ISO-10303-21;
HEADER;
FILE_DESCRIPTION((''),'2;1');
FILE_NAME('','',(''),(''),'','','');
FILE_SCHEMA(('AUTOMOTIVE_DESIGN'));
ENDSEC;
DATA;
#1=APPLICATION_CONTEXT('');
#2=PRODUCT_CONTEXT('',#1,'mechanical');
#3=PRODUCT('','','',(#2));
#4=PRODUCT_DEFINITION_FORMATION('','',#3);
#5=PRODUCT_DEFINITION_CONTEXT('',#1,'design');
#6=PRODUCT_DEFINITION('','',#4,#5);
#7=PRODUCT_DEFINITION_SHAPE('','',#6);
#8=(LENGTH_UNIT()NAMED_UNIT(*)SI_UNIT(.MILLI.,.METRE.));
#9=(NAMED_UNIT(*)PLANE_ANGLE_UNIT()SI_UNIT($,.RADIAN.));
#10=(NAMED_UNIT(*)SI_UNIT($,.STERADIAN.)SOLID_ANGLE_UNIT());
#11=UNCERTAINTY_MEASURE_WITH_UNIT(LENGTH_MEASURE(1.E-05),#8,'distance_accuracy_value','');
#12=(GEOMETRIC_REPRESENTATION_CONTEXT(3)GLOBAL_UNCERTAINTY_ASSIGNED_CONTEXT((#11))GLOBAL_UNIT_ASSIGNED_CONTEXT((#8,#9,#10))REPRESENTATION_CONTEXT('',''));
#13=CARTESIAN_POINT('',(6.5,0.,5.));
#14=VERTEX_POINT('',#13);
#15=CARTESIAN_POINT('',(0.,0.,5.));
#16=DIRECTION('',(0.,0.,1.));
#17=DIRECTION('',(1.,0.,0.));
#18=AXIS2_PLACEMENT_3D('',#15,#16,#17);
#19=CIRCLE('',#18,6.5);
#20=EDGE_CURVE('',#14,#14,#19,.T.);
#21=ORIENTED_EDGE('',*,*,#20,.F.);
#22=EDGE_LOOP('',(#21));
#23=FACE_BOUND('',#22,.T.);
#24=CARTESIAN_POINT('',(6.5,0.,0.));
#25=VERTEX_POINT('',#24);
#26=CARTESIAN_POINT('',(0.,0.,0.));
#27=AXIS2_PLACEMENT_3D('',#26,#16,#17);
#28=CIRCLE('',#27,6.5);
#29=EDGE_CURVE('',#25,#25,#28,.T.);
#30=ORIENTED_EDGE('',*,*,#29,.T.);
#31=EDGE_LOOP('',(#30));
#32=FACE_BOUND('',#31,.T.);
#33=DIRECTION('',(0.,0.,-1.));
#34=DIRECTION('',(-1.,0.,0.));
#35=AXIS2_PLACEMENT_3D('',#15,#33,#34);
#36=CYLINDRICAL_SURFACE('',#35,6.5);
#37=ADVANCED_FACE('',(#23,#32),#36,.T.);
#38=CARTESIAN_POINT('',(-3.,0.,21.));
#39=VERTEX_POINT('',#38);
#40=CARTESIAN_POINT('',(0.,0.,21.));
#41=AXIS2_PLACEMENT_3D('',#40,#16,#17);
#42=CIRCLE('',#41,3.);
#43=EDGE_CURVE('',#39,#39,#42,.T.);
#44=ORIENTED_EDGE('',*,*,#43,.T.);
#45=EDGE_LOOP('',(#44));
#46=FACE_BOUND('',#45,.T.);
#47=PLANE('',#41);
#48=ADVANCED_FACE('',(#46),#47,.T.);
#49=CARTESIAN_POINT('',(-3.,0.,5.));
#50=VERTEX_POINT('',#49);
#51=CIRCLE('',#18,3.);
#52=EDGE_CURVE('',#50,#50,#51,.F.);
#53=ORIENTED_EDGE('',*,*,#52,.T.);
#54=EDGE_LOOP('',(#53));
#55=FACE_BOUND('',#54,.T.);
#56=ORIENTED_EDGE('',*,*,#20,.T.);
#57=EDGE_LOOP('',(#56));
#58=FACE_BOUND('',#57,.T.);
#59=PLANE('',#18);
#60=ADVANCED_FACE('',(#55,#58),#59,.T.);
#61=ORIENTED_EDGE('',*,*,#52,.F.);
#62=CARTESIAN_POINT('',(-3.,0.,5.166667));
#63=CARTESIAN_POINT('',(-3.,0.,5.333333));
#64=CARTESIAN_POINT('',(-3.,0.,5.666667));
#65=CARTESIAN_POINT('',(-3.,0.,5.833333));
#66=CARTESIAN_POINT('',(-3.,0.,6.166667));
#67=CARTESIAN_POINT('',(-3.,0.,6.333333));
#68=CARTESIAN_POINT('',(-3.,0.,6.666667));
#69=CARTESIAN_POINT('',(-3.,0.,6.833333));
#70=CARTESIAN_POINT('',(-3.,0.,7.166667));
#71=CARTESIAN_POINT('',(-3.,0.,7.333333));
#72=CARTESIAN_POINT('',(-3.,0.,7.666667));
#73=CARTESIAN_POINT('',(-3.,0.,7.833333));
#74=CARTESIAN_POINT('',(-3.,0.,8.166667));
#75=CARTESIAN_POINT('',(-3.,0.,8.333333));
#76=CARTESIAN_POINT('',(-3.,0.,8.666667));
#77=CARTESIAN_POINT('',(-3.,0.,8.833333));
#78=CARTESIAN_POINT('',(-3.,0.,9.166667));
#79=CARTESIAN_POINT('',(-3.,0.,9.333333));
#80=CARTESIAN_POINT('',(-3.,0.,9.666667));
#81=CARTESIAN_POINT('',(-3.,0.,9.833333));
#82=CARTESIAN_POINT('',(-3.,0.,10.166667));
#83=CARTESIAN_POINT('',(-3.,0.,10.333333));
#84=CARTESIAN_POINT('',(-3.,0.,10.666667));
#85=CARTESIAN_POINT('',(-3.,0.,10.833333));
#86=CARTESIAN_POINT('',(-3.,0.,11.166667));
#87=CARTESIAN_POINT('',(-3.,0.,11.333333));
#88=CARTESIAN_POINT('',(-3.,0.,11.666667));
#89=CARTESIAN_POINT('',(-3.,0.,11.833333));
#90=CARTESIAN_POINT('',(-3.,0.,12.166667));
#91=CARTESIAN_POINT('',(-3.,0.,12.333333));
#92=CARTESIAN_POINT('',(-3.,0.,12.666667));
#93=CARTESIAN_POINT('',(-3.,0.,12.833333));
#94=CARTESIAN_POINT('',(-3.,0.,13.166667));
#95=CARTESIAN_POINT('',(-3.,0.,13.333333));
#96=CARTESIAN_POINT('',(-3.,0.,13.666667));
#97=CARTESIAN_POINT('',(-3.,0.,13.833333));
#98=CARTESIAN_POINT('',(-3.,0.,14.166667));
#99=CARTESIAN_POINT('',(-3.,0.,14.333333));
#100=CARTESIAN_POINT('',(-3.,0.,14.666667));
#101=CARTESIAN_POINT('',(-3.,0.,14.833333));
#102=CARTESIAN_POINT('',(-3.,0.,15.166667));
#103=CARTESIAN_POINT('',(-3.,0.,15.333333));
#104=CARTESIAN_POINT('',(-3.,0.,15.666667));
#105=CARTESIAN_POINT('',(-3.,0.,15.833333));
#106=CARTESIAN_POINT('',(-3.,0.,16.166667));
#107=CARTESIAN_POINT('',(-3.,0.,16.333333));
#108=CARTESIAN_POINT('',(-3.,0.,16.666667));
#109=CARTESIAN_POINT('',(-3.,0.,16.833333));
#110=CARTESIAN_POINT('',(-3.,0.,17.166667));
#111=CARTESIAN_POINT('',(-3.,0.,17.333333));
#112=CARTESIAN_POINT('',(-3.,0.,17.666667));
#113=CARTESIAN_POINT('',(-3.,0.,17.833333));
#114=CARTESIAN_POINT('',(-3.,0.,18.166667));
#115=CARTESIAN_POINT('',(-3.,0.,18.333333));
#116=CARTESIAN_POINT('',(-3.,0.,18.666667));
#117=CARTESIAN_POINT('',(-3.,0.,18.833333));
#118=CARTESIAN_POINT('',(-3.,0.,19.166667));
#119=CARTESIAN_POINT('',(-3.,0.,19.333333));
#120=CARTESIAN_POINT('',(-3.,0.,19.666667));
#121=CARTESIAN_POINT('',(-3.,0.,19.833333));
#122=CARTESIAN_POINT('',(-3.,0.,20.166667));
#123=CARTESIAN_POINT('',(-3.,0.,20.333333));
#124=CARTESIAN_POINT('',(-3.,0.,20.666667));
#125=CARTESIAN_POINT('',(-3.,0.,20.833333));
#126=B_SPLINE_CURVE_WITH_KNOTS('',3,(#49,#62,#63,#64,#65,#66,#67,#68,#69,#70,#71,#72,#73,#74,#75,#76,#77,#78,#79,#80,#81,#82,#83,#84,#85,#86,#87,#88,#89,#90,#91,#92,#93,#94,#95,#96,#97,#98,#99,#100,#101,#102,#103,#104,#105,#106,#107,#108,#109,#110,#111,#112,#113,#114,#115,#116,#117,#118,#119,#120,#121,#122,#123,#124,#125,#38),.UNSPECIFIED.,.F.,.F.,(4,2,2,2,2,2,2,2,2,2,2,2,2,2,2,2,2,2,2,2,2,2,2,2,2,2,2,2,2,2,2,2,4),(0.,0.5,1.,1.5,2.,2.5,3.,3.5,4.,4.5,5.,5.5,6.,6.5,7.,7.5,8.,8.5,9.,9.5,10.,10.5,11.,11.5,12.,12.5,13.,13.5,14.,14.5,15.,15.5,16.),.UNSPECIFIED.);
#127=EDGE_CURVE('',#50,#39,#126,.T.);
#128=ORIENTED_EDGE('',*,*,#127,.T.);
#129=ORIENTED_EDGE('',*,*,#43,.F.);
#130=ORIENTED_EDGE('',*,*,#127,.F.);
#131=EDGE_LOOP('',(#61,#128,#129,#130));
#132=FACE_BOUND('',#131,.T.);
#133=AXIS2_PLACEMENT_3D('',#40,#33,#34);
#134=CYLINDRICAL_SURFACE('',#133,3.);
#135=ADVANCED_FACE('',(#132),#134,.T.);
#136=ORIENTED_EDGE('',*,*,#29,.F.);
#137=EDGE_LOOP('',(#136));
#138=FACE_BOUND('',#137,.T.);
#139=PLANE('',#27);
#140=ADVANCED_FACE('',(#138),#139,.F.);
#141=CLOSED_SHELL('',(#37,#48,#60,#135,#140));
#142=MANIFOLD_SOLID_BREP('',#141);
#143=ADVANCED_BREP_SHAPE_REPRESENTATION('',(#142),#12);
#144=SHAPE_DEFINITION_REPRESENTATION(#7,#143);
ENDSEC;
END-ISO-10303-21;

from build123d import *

# Parameters (mm, degrees)
SKETCH_1_R      = 6.5
EXTRUDE_1_DEPTH = 5
SKETCH_2_R      = 3
EXTRUDE_2_DEPTH = 21


with BuildPart() as part:
    # 草图1 → 凸台-拉伸1 (new body)
    with BuildSketch(Plane.XY):
        Circle(SKETCH_1_R)
    extrude(amount=EXTRUDE_1_DEPTH)

    # 草图2 → 凸台-拉伸2 (add)
    with BuildSketch(Plane.XY):
        with Locations(Location((0, 0, 0), (0, 0, 180))):
            Circle(SKETCH_2_R)
    extrude(amount=EXTRUDE_2_DEPTH)


solid = part.part
